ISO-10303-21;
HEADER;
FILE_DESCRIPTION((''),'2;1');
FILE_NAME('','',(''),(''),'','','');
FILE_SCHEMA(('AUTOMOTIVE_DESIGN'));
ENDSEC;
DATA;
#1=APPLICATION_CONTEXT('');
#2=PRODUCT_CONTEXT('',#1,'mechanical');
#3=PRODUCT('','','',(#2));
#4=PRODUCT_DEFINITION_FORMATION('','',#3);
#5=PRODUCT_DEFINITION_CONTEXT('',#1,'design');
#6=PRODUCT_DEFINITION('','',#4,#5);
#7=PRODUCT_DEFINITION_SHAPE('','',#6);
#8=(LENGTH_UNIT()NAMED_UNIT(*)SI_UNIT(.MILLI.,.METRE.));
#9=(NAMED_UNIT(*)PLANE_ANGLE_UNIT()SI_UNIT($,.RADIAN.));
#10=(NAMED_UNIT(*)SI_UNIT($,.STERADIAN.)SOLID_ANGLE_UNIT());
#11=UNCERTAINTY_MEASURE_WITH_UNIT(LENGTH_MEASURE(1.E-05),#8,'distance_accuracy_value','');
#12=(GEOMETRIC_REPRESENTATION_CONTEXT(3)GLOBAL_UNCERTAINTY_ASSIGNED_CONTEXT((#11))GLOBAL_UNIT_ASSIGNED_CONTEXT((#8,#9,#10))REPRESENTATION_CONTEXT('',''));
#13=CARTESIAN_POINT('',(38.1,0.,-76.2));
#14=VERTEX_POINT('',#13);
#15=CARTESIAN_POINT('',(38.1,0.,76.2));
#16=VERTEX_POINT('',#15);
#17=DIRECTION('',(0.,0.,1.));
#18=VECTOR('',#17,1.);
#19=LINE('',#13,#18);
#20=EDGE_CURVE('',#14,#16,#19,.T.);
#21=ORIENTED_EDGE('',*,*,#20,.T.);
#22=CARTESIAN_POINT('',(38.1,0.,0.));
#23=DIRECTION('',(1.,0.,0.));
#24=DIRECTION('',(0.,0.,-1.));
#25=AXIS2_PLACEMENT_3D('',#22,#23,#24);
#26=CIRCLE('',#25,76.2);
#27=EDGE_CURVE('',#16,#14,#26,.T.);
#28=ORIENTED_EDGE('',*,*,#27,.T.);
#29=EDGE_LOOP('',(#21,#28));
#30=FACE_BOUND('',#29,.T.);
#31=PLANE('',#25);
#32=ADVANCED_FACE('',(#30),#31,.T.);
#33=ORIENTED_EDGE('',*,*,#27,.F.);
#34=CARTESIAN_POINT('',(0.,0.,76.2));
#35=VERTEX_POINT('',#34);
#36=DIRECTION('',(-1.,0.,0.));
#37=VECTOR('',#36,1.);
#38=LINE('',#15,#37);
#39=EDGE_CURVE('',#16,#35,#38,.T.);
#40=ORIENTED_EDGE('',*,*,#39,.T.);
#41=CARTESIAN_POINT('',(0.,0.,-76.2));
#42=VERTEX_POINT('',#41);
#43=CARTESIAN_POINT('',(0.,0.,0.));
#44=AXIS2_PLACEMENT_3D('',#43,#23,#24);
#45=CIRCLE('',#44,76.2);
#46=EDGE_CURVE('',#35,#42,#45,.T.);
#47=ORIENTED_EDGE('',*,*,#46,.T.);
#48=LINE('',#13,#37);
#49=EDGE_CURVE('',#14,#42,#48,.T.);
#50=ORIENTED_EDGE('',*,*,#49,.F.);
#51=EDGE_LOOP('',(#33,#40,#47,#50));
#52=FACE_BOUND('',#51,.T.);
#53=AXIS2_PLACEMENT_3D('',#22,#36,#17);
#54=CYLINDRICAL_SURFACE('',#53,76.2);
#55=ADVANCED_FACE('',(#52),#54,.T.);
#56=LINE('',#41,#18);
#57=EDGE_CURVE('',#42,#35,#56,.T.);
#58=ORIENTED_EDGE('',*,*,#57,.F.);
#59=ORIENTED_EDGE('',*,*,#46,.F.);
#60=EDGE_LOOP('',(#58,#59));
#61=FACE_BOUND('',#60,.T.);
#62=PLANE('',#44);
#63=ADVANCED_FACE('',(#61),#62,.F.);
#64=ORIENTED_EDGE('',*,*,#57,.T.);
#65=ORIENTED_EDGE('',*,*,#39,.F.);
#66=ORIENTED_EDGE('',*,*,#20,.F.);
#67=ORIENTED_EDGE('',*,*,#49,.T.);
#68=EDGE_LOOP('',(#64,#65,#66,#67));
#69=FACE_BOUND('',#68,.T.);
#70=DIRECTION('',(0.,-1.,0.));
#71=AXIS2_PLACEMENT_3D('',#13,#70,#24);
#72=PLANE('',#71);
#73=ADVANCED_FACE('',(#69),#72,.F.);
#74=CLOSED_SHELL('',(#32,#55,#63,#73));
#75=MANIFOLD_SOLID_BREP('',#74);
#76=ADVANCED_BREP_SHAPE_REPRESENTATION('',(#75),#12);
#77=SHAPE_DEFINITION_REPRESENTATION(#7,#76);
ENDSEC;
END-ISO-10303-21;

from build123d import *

# Parameters (mm, degrees)
BOSS_EXTRUDE1_DEPTH = 38.1


with BuildPart() as part:
    # Sketch1 → Boss-Extrude1 (new body)
    with BuildSketch(Plane(origin=(0, 0, 0), x_dir=(0, 0, -1), z_dir=(1, 0, 0))):
        with BuildLine():
            Line((76.2, 0), (-76.2, 0))
            ThreePointArc((-76.2, 0), (0, -76.2), (76.2, 0))
        make_face()
    extrude(amount=BOSS_EXTRUDE1_DEPTH)


solid = part.part
